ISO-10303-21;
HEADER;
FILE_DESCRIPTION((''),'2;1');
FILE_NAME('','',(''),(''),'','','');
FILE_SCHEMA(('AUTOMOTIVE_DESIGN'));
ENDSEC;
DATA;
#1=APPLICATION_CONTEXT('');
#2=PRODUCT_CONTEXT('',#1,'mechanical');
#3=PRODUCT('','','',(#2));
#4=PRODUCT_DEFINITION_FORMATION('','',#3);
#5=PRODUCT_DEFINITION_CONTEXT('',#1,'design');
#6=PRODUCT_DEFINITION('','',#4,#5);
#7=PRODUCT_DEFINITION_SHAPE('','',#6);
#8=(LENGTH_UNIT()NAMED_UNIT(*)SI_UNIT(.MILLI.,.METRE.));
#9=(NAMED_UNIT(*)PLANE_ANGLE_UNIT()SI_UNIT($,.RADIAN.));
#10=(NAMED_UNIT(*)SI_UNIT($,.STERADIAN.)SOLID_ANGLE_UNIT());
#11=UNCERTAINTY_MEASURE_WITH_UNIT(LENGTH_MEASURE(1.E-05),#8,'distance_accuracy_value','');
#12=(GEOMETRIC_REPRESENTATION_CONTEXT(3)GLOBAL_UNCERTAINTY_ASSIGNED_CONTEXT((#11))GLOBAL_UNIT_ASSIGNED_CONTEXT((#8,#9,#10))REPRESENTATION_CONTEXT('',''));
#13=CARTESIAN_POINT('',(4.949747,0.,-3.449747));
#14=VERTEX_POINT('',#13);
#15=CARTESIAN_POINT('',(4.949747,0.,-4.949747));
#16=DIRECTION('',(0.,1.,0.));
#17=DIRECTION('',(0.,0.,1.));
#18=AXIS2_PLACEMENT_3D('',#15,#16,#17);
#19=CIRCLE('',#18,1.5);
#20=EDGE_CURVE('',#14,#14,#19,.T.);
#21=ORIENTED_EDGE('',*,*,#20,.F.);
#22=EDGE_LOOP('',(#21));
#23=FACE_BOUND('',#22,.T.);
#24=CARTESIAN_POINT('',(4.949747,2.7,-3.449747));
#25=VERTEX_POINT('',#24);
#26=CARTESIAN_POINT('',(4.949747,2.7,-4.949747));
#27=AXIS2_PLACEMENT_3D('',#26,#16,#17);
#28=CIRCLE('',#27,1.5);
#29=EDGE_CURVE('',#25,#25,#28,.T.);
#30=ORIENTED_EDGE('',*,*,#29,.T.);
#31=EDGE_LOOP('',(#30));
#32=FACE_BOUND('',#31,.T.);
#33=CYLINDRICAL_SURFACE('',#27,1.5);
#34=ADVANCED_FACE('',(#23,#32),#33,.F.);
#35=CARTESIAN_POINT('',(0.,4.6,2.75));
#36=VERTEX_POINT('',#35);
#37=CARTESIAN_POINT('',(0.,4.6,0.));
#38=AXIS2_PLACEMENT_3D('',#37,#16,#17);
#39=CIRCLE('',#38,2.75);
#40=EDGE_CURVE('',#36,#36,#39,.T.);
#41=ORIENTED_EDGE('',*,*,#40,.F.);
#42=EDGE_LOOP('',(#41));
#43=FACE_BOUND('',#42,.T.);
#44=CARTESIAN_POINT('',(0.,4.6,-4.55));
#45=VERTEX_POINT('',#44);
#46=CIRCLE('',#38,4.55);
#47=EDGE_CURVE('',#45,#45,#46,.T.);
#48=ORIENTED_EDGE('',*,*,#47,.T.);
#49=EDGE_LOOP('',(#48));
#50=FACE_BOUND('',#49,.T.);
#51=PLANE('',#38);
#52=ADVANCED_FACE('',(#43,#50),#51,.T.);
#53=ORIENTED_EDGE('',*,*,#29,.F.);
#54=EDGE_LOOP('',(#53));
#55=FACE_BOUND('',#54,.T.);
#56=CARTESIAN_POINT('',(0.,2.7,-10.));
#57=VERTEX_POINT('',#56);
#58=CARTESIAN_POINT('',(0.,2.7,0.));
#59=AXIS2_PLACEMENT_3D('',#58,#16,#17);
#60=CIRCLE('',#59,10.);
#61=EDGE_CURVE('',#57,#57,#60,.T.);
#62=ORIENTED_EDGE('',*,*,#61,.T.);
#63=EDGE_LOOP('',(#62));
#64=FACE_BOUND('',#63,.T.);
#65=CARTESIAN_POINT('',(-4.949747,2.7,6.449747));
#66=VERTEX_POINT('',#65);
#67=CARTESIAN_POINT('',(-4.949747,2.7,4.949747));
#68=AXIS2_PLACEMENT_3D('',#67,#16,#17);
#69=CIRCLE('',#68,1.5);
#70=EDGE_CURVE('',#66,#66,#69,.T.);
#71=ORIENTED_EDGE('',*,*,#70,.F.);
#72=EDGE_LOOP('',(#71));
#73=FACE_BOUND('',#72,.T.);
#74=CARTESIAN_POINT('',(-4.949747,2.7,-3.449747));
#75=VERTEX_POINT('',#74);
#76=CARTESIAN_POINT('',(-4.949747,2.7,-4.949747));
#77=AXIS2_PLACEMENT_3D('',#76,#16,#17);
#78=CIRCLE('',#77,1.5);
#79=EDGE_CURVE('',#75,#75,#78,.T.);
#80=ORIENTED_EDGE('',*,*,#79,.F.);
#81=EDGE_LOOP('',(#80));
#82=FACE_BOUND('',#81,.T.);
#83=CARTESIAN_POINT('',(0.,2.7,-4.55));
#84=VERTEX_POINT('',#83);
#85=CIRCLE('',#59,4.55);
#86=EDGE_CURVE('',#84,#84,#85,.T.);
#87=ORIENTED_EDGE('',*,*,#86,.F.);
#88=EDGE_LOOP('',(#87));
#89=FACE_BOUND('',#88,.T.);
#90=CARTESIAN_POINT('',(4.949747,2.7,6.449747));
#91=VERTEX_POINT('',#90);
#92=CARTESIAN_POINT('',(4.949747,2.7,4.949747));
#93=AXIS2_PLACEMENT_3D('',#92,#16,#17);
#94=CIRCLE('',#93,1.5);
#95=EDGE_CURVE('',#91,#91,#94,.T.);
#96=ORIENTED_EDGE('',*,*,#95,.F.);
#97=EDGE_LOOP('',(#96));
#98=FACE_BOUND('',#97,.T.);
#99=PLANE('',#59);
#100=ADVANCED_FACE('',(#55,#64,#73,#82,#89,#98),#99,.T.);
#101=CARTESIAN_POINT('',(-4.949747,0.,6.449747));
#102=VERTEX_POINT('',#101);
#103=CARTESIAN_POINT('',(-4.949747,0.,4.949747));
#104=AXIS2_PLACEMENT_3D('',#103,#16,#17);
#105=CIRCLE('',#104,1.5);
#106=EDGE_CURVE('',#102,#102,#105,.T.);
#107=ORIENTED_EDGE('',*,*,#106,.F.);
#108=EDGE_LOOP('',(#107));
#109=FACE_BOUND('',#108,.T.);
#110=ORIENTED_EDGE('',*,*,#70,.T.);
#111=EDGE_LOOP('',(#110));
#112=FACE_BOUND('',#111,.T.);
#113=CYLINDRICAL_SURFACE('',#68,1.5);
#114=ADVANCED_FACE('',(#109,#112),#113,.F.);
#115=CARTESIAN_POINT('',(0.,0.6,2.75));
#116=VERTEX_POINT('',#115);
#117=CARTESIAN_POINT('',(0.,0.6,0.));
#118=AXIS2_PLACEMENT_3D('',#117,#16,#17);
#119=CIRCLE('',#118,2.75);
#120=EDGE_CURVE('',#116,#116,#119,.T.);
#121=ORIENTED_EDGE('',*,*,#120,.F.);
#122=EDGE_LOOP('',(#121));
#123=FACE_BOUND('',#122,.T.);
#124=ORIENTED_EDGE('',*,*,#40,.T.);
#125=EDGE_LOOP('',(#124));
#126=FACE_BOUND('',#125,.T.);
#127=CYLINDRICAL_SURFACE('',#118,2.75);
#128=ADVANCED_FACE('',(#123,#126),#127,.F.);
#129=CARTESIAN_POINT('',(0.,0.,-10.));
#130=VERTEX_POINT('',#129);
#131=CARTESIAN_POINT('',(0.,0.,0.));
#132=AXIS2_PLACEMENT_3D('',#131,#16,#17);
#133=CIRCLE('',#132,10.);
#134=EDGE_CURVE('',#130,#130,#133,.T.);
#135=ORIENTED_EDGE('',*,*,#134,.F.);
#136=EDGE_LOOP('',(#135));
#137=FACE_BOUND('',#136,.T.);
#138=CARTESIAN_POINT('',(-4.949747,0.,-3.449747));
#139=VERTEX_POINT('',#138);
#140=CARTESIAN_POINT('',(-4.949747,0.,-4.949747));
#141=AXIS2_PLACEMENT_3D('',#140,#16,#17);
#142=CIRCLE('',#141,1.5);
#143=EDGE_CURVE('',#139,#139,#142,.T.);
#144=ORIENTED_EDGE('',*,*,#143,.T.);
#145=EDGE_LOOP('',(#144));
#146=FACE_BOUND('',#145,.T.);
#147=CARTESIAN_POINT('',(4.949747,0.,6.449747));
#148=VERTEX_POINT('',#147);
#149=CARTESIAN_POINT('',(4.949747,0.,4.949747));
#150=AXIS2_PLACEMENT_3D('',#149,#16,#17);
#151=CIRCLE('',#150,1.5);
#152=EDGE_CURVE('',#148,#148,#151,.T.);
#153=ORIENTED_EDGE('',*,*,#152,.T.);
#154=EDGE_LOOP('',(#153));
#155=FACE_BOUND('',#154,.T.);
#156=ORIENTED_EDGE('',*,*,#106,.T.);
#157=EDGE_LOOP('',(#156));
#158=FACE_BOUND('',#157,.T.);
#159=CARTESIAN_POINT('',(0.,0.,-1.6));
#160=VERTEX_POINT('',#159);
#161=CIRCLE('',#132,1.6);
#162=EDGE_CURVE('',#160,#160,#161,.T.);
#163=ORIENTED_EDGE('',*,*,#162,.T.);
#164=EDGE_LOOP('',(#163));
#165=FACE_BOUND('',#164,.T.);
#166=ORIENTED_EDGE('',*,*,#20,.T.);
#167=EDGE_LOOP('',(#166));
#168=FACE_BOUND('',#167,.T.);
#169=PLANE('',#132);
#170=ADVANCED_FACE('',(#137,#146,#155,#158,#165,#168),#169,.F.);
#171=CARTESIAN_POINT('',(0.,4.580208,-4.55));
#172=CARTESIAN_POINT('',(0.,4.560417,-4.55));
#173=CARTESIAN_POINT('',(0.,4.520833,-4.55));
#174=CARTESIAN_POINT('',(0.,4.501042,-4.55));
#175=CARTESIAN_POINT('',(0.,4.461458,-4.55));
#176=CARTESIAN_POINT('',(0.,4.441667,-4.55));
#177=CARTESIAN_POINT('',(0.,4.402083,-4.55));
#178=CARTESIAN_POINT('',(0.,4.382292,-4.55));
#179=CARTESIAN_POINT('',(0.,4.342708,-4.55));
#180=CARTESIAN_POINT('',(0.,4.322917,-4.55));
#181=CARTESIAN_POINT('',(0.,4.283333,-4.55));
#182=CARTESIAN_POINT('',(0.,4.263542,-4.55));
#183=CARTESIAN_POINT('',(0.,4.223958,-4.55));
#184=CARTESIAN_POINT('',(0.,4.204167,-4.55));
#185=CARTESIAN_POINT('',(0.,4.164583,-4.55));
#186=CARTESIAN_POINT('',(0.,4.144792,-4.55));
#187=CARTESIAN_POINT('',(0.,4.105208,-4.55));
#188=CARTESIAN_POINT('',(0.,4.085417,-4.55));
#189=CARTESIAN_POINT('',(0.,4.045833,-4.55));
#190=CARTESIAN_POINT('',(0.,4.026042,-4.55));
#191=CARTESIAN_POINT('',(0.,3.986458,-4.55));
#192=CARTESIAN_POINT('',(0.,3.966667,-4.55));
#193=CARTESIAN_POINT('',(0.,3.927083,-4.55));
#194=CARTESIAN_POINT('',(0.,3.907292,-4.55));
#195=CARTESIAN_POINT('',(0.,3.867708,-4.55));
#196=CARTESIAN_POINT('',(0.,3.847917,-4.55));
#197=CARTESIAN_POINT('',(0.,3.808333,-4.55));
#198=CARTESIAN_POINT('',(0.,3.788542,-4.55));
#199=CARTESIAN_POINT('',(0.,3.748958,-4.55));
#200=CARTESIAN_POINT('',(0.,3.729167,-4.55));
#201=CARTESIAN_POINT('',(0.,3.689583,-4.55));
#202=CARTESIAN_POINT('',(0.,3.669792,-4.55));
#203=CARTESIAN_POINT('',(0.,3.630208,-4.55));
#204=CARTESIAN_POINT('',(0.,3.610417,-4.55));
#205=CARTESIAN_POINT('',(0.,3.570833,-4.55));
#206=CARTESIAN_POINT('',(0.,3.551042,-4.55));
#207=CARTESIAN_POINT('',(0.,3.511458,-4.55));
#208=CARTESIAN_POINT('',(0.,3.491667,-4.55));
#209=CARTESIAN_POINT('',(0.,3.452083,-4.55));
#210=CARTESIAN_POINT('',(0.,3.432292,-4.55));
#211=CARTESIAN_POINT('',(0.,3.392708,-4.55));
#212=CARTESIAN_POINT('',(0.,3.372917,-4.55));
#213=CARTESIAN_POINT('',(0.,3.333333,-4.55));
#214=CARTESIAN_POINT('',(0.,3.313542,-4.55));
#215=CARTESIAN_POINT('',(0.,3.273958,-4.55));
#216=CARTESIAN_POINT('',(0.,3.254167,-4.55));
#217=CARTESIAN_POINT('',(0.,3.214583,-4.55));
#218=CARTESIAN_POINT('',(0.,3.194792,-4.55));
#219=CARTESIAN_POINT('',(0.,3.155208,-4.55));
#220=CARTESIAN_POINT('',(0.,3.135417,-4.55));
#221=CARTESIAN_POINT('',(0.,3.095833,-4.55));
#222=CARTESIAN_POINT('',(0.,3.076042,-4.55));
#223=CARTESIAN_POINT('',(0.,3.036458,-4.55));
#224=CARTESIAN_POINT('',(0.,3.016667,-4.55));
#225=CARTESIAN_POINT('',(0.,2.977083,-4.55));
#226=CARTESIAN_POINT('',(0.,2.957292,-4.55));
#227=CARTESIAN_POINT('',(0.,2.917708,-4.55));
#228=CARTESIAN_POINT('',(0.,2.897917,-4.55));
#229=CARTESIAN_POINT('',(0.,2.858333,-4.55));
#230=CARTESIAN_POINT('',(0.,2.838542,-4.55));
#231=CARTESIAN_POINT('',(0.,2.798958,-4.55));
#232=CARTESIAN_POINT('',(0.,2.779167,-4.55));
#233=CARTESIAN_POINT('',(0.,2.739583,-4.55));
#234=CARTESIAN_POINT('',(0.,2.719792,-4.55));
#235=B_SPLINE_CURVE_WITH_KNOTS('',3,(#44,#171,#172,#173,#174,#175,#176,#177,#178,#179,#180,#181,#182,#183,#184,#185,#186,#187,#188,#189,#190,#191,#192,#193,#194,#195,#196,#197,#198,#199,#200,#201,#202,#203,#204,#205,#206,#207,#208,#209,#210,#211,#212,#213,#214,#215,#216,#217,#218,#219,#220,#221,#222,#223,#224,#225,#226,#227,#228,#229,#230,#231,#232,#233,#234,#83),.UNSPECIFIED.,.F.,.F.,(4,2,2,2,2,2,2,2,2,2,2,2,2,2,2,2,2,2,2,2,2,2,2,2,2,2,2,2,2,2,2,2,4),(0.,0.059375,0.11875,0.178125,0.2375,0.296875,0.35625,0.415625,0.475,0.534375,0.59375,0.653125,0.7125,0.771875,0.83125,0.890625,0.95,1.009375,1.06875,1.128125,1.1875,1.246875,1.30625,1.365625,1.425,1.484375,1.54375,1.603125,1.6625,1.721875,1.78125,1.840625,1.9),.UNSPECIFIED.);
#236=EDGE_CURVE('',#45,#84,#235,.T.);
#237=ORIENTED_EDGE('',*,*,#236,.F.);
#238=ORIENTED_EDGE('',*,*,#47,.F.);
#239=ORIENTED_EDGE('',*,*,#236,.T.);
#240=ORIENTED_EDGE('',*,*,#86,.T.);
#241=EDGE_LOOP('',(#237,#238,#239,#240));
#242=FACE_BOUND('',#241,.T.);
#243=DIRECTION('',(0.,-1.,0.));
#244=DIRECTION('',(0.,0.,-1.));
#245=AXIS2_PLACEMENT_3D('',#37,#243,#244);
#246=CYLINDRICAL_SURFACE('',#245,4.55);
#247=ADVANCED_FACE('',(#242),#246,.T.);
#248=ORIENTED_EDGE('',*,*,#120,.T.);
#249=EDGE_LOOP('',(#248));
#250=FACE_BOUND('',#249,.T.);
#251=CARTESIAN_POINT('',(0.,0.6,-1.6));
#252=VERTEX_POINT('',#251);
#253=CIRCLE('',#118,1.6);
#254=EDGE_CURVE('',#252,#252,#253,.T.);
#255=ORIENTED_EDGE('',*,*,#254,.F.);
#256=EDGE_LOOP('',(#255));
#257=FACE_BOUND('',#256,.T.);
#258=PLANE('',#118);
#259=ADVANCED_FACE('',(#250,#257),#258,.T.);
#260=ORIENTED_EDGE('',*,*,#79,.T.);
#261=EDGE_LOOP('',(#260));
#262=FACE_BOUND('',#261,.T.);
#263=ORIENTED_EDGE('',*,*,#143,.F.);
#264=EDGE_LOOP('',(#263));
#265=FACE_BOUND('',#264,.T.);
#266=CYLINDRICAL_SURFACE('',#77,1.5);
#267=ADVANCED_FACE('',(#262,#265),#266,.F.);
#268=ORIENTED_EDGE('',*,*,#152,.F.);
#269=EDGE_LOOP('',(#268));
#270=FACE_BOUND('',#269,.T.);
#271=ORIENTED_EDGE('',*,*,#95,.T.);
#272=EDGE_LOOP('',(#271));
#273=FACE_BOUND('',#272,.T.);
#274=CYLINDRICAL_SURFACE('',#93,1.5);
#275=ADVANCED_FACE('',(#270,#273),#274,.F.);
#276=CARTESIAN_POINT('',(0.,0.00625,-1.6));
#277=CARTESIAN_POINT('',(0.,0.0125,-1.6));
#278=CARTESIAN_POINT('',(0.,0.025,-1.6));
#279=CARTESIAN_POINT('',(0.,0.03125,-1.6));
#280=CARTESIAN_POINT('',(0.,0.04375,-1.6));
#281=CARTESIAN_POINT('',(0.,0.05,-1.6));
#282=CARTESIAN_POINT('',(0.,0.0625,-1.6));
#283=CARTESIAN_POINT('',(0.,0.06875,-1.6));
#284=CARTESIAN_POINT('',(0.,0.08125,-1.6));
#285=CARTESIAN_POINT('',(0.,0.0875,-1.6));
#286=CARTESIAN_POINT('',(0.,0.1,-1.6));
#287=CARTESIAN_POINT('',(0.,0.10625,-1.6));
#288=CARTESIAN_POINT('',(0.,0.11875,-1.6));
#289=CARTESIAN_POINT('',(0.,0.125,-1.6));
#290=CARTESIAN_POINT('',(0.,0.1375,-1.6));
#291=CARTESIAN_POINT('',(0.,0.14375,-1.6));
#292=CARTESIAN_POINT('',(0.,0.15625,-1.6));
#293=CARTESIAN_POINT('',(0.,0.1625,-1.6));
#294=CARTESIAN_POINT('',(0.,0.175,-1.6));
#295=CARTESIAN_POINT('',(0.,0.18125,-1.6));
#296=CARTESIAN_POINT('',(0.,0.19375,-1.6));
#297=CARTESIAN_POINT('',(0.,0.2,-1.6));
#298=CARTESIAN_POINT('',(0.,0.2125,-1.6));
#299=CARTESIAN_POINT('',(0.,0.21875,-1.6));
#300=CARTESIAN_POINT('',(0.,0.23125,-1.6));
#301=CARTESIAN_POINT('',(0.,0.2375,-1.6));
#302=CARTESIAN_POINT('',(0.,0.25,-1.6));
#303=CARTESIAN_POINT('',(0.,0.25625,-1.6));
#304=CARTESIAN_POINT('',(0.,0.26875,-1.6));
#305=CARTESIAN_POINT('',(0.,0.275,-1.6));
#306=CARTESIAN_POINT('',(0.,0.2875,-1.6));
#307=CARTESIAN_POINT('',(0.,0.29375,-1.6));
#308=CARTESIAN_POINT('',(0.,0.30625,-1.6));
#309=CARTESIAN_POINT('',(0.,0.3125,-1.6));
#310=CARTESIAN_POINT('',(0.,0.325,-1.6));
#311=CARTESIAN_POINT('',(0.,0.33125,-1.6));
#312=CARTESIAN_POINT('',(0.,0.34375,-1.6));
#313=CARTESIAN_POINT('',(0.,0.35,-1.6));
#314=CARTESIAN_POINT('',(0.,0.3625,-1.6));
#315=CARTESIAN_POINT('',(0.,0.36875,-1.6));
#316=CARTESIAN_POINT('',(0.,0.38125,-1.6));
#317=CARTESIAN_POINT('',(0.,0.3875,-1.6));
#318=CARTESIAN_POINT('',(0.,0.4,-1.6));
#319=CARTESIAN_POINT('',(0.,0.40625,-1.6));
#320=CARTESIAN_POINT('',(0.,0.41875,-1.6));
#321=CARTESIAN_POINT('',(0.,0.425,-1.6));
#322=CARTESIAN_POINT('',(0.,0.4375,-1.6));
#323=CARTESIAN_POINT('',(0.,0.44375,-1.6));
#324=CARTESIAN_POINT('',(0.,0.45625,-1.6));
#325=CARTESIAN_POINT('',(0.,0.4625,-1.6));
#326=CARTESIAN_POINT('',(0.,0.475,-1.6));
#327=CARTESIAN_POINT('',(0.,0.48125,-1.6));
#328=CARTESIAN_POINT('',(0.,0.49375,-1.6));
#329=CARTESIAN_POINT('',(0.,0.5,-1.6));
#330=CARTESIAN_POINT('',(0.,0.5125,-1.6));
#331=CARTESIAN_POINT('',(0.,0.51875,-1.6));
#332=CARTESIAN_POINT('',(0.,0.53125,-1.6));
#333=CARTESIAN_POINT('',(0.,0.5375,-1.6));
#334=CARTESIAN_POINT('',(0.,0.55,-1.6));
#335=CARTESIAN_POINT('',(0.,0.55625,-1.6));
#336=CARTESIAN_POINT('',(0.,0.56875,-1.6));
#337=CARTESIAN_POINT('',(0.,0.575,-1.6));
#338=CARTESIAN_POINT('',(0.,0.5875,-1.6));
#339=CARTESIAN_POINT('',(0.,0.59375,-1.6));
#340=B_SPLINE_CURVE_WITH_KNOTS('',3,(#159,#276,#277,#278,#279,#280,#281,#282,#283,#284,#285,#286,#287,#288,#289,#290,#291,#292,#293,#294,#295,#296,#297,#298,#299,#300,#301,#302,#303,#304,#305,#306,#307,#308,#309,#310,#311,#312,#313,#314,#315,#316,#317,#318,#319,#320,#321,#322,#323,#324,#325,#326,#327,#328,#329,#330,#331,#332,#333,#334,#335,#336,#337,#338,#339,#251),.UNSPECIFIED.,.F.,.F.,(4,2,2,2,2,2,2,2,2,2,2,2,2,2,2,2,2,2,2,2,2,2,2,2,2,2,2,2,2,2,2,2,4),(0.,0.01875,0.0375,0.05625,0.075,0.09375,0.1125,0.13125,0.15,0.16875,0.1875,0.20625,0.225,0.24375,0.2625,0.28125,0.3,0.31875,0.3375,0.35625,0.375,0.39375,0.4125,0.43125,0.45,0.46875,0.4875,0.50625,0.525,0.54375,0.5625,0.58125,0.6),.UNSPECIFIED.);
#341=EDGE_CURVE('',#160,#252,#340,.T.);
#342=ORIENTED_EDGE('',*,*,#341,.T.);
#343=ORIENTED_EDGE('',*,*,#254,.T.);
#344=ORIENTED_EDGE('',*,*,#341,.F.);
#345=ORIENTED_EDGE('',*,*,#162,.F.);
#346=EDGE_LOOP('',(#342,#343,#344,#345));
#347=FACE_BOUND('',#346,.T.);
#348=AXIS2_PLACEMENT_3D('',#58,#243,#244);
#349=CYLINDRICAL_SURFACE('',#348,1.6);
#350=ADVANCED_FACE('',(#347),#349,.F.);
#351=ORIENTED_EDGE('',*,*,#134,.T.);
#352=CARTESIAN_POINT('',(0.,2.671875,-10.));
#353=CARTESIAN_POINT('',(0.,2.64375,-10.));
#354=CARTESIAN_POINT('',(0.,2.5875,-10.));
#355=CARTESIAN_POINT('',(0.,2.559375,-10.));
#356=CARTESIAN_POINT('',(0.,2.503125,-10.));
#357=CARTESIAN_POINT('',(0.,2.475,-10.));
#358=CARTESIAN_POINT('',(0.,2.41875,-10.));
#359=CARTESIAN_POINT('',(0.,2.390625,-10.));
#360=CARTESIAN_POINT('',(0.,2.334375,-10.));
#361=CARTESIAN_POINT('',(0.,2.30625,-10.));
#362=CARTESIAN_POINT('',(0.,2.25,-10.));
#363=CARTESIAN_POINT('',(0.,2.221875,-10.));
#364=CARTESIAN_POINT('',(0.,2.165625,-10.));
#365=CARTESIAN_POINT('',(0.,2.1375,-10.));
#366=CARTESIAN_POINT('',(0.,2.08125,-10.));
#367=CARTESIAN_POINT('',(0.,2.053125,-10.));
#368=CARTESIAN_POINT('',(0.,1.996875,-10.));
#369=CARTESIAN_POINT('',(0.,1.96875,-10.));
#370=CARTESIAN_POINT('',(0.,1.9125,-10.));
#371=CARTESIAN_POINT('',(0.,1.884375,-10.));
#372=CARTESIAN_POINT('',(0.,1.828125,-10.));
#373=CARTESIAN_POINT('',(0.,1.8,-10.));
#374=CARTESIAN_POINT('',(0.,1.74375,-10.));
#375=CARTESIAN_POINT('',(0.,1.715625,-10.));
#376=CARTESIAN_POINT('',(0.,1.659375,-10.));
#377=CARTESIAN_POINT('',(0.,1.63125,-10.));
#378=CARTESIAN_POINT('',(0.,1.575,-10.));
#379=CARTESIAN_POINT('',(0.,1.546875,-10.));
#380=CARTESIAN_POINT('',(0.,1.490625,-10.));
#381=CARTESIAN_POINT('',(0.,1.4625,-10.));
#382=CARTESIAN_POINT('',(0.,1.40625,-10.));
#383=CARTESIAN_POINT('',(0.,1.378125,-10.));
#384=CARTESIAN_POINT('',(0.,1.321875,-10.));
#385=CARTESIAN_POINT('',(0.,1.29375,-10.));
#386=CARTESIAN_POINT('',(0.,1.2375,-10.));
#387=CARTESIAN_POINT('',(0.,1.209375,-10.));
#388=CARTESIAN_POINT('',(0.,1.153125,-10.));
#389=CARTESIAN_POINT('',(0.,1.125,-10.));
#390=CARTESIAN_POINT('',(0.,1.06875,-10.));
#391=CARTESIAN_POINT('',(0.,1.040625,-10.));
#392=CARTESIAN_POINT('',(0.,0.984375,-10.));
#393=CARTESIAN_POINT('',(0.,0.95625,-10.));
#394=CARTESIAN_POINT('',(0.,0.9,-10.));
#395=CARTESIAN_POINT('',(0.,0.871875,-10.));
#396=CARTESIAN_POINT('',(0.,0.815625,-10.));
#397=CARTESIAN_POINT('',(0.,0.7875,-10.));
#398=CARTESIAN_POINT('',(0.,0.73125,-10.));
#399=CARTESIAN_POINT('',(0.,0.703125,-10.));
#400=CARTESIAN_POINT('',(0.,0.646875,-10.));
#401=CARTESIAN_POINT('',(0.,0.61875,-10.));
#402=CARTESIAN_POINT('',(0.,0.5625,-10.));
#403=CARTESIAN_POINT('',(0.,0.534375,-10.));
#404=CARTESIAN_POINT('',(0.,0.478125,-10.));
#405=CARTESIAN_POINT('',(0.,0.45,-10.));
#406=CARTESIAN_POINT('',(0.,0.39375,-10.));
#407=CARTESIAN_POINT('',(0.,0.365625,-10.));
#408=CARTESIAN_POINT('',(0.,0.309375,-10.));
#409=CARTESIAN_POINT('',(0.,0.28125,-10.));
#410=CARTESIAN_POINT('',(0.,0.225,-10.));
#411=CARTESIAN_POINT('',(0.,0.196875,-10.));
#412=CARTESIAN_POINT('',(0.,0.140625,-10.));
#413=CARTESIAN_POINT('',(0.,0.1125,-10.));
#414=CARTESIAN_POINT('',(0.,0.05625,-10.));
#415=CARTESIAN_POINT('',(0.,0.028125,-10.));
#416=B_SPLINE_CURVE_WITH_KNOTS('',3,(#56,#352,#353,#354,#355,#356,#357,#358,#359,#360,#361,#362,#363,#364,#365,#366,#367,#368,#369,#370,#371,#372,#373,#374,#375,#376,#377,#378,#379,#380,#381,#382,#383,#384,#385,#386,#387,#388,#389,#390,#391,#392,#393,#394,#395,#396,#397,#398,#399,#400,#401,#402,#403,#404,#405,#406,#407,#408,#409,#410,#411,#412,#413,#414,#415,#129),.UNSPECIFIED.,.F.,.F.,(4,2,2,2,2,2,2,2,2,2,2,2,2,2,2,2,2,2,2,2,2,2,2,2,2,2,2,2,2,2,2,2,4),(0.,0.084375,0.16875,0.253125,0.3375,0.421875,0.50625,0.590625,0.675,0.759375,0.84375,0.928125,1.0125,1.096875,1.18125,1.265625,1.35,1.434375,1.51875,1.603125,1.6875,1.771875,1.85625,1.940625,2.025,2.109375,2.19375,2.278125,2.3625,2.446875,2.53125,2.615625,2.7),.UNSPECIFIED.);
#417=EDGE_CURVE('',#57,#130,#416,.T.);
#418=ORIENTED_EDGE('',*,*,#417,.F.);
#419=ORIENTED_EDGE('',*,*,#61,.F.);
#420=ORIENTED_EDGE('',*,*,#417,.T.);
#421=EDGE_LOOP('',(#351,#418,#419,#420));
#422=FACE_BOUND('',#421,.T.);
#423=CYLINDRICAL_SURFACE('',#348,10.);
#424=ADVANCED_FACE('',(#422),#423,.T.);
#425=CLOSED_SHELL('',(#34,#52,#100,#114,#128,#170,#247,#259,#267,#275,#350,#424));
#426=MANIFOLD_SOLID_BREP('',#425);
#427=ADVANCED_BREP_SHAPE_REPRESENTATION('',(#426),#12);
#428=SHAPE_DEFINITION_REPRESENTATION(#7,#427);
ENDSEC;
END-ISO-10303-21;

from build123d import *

# Parameters (mm, degrees)
ESQUISSE1_R                   = 10
ESQUISSE1_R_2                 = 1.6
BOSS_EXTRU_1_DEPTH            = 2.7
ESQUISSE2_R                   = 4.55
BOSS_EXTRU_2_DEPTH            = 1.9
ESQUISSE5_R                   = 2.75
ENL_V_MAT_EXTRU_1_DEPTH       = 4
DIAM_TRE_DU_PER_AGE_3_0_3_1_D = 3


with BuildPart() as part:
    # Esquisse1 → Boss.-Extru.1 (new body)
    with BuildSketch(Plane(origin=(0, 0, 0), x_dir=(1, 0, 0), z_dir=(0, 1, 0))):
        with Locations(Location((0, 0, 0), (0, 0, 90))):
            Circle(ESQUISSE1_R)
        with Locations(Location((0, 0, 0), (0, 0, 90))):
            Circle(ESQUISSE1_R_2, mode=Mode.SUBTRACT)
    extrude(amount=BOSS_EXTRU_1_DEPTH)

    # Esquisse2 → Boss.-Extru.2 (add)
    with BuildSketch(Plane(origin=(0, 2.7, 0), x_dir=(1, 0, 0), z_dir=(0, 1, 0))):
        with Locations(Location((0, 0, 0), (0, 0, 90))):
            Circle(ESQUISSE2_R)
    extrude(amount=BOSS_EXTRU_2_DEPTH)

    # Esquisse5 → Enlèv. mat.-Extru.1 (cut)
    with BuildSketch(Plane(origin=(0, 4.6, 0), x_dir=(1, 0, 0), z_dir=(0, 1, 0))):
        with Locations(Location((0, 0, 0), (0, 0, 270))):
            Circle(ESQUISSE5_R)
    extrude(amount=-ENL_V_MAT_EXTRU_1_DEPTH, mode=Mode.SUBTRACT)

    # Diamètre du perçage Ø3.0 (3)1 (through all)
    with Locations(Plane(origin=(0, 2.7, 0), x_dir=(1, 0, 0), z_dir=(0, 1, 0))):
        with Locations((4.949747468, -4.949747468), (-4.949747468, -4.949747468), (-4.949747468, 4.949747468), (4.949747468, 4.949747468)):
            Hole(DIAM_TRE_DU_PER_AGE_3_0_3_1_D / 2)


solid = part.part
